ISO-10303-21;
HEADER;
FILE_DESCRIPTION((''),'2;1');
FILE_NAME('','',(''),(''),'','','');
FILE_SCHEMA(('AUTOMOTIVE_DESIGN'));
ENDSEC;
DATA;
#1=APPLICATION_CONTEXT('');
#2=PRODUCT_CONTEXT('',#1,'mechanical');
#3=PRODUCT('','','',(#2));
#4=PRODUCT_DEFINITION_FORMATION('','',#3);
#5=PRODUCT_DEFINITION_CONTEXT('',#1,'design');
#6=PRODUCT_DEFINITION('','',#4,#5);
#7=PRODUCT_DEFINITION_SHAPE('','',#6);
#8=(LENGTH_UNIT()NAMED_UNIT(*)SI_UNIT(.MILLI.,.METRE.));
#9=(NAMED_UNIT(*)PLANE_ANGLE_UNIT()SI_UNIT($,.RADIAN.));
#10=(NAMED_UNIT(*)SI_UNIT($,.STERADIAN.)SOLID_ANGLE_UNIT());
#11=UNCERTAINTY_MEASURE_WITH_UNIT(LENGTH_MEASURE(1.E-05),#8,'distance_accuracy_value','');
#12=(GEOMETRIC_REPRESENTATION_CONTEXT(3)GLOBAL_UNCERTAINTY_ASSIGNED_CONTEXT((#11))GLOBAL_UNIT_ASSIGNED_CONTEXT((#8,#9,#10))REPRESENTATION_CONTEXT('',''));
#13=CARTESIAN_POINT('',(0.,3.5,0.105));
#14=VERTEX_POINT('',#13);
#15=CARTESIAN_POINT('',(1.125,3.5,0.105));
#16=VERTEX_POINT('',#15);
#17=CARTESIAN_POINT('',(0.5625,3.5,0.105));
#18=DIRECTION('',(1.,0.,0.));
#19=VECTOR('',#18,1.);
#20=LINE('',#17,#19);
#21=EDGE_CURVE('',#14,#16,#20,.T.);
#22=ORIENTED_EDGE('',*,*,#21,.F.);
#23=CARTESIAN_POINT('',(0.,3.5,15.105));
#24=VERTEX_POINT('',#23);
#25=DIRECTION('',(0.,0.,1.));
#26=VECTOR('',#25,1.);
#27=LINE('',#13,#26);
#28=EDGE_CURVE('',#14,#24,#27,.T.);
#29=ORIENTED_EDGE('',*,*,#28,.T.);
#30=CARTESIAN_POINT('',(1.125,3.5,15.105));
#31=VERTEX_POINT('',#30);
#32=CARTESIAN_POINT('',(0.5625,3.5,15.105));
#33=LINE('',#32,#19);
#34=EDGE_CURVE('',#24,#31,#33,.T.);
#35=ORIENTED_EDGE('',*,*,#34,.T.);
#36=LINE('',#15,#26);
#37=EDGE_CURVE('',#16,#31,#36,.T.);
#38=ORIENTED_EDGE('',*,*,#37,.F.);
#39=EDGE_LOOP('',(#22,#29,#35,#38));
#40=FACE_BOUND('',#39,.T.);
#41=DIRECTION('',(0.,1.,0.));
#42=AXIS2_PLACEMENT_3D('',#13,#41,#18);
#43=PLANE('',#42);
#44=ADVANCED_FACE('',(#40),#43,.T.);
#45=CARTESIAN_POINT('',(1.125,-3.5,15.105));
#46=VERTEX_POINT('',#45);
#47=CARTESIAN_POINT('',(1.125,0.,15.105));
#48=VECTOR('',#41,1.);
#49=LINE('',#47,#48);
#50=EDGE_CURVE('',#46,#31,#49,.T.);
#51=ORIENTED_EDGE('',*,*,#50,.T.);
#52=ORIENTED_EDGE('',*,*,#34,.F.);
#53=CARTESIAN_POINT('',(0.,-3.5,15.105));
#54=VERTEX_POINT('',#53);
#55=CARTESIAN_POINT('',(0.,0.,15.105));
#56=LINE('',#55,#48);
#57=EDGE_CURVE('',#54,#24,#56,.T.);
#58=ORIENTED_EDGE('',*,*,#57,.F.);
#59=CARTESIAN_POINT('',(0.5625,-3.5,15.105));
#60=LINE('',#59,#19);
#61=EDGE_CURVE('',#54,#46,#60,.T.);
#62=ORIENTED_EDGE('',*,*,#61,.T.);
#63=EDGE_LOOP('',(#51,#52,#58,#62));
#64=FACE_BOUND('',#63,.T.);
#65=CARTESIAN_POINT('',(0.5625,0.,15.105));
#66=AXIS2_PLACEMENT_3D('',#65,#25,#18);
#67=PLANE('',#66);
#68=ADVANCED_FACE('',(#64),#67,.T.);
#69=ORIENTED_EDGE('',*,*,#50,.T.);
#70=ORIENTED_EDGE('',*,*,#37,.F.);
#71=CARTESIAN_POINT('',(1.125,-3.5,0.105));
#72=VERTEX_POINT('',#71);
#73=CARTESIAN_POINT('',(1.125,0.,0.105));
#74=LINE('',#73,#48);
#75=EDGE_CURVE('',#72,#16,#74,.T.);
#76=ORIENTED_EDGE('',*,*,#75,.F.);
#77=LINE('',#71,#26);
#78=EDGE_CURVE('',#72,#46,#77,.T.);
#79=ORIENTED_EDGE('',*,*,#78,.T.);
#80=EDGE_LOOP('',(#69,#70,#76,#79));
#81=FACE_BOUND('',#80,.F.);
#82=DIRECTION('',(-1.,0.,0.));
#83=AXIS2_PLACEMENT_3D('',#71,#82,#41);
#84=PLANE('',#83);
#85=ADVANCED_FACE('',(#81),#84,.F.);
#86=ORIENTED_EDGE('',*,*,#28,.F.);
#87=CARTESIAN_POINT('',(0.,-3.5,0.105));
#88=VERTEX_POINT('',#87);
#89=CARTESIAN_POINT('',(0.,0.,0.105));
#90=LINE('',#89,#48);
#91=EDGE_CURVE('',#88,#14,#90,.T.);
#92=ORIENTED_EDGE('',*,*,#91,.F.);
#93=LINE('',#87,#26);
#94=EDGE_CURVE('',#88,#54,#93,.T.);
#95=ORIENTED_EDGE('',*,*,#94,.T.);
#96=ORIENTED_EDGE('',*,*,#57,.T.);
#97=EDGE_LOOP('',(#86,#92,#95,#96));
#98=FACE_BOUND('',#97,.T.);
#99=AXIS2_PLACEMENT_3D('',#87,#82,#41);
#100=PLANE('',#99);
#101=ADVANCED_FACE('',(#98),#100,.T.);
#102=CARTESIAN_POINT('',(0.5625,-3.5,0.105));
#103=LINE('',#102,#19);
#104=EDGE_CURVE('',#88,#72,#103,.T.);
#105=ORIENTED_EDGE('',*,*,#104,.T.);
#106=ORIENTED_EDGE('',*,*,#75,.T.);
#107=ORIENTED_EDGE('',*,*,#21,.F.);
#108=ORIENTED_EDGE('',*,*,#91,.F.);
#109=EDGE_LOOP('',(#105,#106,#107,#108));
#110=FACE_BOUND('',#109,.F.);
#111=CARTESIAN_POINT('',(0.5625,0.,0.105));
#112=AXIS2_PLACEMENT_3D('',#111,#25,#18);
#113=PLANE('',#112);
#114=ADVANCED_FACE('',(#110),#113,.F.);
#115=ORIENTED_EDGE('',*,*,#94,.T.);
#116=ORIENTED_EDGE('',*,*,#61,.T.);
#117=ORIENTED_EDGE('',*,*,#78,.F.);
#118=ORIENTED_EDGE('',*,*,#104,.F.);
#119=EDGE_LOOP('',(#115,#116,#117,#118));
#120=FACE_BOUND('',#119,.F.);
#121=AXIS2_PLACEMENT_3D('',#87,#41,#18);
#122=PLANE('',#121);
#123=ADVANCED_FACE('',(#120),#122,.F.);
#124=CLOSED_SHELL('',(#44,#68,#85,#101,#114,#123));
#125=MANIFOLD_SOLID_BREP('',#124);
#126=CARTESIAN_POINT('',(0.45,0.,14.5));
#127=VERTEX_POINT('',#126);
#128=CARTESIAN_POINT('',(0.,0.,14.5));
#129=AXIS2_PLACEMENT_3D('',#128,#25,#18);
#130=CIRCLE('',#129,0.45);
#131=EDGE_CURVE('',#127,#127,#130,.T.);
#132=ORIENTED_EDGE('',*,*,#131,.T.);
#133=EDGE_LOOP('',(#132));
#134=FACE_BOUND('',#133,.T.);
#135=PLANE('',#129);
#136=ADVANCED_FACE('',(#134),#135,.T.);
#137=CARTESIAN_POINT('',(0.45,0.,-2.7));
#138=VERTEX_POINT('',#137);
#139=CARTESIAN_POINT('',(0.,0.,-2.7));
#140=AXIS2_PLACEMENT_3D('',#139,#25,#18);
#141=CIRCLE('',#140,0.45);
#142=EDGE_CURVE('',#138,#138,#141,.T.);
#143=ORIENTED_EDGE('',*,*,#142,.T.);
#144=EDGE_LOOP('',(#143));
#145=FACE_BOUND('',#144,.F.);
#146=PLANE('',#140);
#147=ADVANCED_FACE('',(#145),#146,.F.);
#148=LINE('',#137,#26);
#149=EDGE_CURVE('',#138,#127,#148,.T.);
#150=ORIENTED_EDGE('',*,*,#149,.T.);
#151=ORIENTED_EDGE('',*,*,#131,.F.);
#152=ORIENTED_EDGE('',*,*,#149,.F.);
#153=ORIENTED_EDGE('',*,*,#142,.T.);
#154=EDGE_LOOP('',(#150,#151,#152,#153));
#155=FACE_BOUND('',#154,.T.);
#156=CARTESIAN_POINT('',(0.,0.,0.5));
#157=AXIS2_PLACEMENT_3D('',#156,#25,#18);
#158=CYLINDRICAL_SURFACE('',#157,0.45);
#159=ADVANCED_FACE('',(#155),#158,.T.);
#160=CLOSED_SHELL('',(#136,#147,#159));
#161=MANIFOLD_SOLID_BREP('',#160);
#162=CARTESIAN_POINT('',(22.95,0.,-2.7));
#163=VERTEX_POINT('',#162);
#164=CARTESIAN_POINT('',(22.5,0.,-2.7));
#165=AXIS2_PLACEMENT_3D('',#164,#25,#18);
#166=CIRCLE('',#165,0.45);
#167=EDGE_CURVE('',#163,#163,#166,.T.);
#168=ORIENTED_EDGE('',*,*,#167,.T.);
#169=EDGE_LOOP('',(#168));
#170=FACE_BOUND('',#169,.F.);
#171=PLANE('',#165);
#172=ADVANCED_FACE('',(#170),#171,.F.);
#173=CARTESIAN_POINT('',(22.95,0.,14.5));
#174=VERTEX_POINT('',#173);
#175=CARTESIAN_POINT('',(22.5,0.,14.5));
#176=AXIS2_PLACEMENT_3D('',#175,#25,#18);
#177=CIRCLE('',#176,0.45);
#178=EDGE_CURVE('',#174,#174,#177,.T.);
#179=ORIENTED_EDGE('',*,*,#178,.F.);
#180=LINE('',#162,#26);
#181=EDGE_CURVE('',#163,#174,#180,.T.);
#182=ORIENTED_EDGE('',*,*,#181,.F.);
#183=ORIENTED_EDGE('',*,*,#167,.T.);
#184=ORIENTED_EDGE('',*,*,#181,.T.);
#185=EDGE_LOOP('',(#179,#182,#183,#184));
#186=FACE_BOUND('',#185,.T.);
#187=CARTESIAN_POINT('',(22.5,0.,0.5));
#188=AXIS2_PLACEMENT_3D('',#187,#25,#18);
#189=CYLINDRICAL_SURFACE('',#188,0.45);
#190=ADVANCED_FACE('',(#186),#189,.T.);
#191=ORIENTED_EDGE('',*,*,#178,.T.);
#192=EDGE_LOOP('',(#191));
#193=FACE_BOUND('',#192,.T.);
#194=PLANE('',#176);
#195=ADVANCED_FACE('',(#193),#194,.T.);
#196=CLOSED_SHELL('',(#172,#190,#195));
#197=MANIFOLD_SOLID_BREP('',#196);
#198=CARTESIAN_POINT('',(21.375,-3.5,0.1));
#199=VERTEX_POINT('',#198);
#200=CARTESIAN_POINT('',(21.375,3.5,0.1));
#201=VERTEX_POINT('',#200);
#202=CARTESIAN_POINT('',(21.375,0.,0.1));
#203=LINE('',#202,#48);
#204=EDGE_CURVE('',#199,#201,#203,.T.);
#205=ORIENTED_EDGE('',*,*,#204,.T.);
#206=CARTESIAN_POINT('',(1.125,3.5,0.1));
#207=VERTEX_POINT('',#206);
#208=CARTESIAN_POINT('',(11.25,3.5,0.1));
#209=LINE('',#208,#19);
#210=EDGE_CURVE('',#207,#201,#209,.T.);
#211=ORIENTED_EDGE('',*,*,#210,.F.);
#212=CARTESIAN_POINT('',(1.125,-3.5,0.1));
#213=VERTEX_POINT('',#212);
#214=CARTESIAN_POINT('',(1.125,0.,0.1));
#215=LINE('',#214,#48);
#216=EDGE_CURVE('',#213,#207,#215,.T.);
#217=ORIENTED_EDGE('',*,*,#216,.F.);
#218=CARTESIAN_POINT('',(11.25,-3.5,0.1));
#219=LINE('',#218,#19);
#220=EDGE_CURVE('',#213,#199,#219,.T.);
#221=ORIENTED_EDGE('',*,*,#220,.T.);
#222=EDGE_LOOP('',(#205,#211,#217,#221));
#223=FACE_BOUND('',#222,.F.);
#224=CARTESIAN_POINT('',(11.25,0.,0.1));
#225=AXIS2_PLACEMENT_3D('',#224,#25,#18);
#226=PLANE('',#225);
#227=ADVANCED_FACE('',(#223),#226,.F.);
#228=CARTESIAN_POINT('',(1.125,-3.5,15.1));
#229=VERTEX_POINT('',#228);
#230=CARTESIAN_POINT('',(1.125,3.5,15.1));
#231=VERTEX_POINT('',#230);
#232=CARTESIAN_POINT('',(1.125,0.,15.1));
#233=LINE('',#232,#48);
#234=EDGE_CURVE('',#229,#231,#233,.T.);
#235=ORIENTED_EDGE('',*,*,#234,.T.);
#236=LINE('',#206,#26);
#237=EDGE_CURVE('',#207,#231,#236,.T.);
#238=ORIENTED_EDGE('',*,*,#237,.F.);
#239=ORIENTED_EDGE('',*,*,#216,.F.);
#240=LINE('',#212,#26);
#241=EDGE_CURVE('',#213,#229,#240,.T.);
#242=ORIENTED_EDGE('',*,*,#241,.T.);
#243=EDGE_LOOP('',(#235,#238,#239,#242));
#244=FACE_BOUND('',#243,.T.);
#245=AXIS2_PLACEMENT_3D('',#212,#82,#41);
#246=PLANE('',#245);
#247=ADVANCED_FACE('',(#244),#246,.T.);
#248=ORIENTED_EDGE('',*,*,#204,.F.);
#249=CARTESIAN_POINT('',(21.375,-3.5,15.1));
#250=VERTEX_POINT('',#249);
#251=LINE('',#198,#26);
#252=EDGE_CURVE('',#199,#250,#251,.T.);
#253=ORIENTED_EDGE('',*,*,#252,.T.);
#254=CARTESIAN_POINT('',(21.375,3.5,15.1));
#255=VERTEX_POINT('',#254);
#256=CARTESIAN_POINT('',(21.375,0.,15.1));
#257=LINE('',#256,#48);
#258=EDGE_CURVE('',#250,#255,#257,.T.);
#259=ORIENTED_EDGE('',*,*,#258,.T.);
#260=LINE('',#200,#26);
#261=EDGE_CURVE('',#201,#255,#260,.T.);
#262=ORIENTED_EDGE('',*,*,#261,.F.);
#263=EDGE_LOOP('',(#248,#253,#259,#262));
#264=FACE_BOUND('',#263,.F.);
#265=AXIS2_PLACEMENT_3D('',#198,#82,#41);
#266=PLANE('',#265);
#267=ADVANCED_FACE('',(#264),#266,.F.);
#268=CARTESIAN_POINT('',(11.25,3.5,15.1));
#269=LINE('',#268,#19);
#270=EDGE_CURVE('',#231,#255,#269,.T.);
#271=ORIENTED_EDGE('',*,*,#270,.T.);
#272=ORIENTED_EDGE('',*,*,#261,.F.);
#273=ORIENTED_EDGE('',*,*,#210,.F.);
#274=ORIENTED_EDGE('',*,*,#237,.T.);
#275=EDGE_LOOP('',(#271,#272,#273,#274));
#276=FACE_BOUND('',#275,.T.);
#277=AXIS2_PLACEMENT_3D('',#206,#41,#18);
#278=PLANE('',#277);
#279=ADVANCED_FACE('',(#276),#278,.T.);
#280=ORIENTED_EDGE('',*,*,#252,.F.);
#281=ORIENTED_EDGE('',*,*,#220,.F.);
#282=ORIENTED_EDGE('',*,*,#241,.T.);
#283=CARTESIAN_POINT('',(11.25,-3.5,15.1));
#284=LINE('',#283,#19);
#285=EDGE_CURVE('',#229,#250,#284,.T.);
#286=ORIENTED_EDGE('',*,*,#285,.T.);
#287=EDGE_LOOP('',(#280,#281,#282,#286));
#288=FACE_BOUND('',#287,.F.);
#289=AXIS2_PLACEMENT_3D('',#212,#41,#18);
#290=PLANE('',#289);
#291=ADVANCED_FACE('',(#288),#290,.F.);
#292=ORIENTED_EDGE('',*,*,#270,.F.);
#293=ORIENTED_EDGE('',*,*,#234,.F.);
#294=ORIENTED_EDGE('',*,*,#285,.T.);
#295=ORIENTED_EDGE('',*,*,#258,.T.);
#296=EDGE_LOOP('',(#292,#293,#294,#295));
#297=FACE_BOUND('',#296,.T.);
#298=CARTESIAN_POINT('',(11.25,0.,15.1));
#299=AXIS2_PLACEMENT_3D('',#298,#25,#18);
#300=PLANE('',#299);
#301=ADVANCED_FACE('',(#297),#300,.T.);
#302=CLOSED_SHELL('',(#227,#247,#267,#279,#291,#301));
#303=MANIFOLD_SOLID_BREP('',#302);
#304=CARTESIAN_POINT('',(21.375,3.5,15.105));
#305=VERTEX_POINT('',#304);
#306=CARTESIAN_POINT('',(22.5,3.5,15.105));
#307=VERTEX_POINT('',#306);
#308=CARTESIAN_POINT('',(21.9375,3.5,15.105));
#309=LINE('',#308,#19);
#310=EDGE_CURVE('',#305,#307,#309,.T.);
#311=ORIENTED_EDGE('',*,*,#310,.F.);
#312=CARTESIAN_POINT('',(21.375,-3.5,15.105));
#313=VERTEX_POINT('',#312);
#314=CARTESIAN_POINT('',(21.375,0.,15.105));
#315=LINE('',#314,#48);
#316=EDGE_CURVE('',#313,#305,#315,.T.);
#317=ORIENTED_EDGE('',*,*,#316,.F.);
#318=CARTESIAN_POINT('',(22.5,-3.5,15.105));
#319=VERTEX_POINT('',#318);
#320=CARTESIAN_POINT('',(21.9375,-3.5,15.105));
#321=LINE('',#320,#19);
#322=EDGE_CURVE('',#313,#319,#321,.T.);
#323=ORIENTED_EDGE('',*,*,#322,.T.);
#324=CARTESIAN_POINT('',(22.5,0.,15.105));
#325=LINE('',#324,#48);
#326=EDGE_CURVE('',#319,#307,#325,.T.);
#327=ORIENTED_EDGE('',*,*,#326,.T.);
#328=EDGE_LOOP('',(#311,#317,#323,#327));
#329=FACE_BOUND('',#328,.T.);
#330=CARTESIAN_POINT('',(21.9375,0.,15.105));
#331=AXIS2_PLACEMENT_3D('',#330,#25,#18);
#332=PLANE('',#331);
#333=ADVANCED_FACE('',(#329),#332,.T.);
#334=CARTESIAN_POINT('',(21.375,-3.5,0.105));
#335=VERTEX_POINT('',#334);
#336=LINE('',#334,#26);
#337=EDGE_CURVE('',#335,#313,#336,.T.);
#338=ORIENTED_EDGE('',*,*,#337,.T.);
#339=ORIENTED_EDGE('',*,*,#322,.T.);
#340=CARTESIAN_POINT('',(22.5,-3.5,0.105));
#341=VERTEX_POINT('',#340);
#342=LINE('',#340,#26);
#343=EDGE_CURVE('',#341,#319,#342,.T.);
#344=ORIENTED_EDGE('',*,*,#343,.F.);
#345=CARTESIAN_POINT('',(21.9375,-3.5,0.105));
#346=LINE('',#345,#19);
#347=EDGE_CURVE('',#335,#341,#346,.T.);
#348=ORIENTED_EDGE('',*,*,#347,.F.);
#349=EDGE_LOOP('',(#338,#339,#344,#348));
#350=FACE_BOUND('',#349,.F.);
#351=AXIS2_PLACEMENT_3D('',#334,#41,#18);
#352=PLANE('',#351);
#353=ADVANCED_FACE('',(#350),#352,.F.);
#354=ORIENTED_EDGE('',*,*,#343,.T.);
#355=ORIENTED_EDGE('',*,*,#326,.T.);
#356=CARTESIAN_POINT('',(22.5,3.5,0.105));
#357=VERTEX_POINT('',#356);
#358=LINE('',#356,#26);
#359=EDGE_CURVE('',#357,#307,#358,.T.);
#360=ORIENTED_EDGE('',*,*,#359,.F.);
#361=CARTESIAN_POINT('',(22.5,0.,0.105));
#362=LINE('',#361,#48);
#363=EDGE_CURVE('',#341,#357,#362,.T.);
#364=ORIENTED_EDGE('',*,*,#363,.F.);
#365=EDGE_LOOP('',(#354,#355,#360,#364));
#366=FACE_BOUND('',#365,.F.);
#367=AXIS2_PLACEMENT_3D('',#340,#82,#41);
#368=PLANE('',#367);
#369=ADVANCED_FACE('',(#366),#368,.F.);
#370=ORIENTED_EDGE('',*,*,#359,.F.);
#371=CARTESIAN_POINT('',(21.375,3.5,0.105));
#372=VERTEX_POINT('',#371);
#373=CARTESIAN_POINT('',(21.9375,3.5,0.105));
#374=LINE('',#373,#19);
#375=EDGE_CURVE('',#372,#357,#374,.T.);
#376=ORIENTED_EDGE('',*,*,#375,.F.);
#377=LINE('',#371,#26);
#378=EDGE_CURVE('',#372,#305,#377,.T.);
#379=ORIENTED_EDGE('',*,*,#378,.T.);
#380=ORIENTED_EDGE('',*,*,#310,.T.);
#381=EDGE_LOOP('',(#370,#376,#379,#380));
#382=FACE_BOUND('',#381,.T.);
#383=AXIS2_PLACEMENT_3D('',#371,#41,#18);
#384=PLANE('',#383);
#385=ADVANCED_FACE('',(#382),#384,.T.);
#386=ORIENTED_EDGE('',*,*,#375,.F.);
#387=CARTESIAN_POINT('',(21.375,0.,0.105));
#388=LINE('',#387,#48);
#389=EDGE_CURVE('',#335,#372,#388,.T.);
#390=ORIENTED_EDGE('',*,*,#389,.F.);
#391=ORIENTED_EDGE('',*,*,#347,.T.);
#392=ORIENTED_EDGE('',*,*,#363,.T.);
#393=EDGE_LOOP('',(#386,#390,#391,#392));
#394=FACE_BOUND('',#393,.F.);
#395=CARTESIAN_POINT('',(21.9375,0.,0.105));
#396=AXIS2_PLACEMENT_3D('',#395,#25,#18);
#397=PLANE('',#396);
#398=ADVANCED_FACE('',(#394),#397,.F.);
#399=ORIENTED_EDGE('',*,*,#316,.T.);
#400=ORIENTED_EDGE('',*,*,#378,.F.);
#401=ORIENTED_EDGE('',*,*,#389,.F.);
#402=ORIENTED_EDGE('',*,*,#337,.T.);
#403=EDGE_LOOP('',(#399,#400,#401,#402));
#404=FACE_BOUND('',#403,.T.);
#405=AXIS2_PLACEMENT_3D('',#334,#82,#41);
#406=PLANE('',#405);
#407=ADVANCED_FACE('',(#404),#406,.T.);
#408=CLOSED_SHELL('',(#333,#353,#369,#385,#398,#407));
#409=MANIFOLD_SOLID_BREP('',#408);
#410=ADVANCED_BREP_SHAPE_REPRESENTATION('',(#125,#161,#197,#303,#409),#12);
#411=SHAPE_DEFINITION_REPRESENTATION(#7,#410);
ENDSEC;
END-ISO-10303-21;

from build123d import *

# Parameters (mm, degrees)
SKETCH_W          = 20.25
SKETCH_H          = 7
PAD_DEPTH         = 15
SKETCH001_R       = 0.45
PAD001_DEPTH      = 14
PAD001_DEPTH_BACK = 3.2
SKETCH002_W       = 1.125
SKETCH002_H       = 7
PAD002_DEPTH      = 15


with BuildPart() as pad:
    # Sketch → Pad (new body)
    with BuildSketch(Plane.XY.offset(0.1)):
        with Locations((11.25, 0)):
            Rectangle(SKETCH_W, SKETCH_H)
    extrude(amount=PAD_DEPTH)


with BuildPart() as pad001:
    # Sketch001 → Pad001 (new body, two sides)
    with BuildSketch(Plane.XY.offset(0.5)) as pad001_sk:
        Circle(SKETCH001_R)
        with Locations((22.5, 0)):
            Circle(SKETCH001_R)
    extrude(amount=PAD001_DEPTH)
    extrude(pad001_sk.sketch, amount=-PAD001_DEPTH_BACK)


with BuildPart() as pad002:
    # Sketch002 → Pad002 (new body)
    with BuildSketch(Plane.XY.offset(0.105)):
        with Locations((0.5625, 0)):
            Rectangle(SKETCH002_W, SKETCH002_H)
        with Locations((21.9375, 0)):
            Rectangle(SKETCH002_W, SKETCH002_H)
    extrude(amount=PAD002_DEPTH)


solid = Compound([pad.part, pad001.part, pad002.part])
